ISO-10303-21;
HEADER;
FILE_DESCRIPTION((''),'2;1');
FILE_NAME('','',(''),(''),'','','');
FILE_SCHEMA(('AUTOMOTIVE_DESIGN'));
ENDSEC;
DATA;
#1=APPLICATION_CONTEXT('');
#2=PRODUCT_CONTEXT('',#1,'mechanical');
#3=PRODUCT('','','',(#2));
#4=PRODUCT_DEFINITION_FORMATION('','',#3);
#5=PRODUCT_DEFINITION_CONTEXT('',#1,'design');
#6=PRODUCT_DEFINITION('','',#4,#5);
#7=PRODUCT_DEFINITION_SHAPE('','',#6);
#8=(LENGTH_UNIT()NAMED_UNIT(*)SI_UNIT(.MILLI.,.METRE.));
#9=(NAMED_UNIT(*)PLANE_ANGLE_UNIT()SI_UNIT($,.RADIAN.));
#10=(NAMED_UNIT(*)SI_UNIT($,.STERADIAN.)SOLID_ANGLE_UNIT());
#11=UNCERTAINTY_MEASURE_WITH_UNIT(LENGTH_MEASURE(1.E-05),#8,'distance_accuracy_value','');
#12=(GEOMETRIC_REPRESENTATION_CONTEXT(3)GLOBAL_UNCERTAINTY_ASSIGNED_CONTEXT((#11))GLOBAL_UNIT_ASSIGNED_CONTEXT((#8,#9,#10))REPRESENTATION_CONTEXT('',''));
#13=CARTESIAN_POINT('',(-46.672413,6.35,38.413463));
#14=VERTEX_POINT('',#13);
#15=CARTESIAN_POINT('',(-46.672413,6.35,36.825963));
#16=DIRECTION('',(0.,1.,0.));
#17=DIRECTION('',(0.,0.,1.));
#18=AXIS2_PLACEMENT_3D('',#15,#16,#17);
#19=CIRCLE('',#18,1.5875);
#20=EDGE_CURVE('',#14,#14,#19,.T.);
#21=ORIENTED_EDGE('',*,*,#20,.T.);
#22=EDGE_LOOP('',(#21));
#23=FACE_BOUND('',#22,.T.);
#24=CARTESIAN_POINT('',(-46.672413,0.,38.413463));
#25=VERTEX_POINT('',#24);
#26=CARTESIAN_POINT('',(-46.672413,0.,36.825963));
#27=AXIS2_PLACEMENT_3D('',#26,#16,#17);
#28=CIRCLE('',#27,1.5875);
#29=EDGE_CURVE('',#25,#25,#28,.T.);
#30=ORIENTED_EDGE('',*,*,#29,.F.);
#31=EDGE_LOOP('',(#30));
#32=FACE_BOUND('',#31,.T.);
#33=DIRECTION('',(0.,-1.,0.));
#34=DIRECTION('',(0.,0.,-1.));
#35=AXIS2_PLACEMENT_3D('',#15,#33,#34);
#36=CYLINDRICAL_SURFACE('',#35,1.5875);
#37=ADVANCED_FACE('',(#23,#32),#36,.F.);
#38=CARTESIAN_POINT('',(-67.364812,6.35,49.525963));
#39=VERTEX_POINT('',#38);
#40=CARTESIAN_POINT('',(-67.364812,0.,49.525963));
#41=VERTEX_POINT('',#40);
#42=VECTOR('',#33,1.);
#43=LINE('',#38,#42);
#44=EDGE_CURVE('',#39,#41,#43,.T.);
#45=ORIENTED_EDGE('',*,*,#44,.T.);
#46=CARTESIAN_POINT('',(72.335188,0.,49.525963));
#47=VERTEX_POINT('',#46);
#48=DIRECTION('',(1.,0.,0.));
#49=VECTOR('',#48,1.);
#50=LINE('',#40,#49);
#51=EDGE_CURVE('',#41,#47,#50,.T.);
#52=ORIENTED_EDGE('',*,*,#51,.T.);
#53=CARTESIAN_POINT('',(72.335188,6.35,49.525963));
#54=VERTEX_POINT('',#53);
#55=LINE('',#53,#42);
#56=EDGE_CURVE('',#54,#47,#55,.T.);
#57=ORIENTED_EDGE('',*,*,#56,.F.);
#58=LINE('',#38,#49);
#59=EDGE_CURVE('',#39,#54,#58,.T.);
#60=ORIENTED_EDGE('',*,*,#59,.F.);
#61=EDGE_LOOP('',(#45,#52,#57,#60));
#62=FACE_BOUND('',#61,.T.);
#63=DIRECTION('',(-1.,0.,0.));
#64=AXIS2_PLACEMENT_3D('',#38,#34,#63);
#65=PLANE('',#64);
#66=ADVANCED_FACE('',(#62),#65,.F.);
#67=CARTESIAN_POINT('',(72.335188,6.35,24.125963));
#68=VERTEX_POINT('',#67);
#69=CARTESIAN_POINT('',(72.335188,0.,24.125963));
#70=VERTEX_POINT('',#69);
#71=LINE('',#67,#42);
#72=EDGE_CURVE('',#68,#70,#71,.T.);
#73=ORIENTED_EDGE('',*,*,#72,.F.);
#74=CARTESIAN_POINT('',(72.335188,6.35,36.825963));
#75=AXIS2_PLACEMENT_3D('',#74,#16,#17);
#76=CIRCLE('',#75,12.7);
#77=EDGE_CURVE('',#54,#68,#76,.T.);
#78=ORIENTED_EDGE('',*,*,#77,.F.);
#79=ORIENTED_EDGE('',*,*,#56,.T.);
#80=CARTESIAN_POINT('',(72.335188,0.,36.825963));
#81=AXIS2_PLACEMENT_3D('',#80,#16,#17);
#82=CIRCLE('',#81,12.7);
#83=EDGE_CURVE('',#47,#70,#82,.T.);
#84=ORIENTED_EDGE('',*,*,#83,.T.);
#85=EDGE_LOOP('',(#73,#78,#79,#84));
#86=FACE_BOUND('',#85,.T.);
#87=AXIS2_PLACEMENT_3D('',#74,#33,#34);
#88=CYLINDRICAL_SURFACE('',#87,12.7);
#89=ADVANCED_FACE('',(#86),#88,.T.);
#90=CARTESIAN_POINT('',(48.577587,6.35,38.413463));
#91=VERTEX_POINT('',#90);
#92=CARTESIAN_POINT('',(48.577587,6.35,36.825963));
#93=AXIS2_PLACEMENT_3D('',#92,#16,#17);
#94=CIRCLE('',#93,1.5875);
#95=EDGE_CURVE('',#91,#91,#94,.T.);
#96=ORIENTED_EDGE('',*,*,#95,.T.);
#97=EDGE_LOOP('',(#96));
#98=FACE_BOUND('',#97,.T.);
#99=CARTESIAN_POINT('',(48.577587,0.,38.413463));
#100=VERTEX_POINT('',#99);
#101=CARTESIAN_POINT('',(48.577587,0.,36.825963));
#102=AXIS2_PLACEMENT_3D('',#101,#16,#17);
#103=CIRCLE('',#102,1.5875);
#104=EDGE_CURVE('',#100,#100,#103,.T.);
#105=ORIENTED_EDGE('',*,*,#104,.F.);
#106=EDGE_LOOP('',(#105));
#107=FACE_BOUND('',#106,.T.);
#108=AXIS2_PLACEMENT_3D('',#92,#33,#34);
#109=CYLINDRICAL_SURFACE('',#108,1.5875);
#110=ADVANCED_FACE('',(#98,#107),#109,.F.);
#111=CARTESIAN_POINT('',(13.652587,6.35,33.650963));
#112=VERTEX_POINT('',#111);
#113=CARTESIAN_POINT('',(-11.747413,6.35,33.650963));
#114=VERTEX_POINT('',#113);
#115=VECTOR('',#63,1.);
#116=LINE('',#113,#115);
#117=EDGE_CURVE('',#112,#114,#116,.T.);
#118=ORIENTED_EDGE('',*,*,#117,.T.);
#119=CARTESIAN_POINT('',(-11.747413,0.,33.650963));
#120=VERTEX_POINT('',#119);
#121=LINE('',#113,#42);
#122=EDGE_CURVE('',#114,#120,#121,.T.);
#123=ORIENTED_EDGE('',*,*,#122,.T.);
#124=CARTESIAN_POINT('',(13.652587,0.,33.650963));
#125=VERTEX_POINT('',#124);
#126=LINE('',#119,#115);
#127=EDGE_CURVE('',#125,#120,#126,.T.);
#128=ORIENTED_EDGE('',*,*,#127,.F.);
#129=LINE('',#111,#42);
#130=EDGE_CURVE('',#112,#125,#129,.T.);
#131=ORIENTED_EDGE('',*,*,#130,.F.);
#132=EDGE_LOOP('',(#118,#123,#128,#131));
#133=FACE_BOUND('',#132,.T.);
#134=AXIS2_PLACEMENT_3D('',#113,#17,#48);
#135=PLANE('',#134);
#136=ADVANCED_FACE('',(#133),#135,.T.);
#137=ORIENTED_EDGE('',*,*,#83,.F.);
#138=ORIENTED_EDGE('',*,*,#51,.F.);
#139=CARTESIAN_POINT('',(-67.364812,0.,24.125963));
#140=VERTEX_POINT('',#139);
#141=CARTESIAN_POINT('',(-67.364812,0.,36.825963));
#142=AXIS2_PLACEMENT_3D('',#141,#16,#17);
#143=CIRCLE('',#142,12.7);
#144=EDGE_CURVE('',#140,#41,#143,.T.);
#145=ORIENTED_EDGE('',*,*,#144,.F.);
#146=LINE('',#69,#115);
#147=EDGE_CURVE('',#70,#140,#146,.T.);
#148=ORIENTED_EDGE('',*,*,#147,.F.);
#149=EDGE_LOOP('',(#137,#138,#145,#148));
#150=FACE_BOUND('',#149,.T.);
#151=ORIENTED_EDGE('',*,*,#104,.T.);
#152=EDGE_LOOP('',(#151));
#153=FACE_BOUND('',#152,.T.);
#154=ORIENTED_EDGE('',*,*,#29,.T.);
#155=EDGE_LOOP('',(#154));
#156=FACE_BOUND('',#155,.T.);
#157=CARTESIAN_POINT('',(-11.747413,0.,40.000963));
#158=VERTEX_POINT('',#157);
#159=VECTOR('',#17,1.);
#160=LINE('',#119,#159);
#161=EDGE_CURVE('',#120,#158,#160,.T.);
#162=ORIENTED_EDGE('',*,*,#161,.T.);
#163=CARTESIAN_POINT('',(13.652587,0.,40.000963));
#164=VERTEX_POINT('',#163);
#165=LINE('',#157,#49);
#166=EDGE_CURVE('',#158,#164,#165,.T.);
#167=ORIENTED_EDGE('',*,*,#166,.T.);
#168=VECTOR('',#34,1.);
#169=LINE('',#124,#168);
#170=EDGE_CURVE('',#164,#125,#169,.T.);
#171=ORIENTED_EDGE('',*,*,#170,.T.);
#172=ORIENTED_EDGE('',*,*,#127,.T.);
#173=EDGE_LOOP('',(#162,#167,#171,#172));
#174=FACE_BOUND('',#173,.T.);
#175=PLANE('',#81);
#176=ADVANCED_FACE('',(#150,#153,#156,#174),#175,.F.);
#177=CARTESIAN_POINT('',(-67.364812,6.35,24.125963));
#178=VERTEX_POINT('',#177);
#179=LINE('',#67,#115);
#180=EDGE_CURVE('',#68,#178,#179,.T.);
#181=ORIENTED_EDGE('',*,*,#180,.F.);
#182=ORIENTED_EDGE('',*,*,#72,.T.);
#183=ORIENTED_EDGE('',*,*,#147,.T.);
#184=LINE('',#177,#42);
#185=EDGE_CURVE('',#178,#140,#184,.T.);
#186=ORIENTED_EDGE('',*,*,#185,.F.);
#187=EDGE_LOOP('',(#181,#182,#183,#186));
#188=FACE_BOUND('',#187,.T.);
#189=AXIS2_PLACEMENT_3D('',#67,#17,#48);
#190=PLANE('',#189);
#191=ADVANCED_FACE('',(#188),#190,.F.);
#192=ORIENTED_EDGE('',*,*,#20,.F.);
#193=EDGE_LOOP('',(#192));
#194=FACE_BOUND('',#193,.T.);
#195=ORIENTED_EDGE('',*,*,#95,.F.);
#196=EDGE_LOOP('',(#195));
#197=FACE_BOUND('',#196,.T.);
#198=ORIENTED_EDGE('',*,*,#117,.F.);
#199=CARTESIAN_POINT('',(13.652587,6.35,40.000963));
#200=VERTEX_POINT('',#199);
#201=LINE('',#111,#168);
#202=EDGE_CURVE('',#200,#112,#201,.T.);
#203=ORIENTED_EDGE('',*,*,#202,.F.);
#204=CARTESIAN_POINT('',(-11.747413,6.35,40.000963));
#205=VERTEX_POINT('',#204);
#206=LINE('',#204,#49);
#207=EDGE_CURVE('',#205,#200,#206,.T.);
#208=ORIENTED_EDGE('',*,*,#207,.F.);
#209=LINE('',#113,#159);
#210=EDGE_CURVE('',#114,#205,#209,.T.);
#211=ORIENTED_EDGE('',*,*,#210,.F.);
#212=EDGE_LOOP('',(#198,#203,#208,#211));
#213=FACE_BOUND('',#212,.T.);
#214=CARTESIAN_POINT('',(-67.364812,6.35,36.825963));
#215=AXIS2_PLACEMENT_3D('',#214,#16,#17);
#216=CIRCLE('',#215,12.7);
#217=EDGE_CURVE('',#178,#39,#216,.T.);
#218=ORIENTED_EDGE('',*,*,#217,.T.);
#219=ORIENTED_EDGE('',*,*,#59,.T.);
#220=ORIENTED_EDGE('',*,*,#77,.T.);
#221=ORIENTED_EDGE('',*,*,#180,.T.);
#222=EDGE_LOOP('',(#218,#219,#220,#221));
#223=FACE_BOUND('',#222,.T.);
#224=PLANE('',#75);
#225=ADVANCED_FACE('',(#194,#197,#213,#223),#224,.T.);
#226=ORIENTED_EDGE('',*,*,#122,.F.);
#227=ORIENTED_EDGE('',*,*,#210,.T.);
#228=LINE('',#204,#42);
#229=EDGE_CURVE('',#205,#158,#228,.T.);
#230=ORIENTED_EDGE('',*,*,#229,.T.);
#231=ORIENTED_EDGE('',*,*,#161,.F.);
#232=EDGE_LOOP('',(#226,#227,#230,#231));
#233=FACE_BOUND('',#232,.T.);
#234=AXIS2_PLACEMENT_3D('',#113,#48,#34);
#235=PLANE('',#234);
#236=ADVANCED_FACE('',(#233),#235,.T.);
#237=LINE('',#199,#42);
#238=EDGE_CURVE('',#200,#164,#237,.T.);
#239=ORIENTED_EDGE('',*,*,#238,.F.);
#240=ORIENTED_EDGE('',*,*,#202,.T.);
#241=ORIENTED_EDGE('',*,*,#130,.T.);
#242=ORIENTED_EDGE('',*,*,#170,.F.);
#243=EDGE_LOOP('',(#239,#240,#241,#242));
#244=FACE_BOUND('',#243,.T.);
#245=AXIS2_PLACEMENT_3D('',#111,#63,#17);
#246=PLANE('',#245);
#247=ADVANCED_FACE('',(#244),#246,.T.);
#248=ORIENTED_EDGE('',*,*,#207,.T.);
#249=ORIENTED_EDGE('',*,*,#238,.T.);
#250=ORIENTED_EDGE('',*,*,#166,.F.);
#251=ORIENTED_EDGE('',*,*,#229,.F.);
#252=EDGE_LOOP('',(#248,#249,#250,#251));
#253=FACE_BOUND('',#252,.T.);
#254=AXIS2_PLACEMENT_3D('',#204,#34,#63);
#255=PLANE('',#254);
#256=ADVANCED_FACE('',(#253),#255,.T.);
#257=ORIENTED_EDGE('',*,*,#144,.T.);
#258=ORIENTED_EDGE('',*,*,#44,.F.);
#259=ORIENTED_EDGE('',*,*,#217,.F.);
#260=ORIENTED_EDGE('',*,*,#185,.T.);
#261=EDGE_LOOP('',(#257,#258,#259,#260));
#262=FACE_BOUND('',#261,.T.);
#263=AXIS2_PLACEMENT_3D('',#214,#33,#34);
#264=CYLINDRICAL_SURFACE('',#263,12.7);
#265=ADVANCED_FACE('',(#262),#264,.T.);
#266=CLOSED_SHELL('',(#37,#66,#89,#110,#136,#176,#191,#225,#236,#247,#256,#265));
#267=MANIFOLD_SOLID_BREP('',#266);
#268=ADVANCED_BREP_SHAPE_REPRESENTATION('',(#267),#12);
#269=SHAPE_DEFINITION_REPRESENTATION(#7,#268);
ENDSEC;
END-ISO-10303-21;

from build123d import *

# Parameters (mm, degrees)
SKETCH1_R           = 1.5875
SKETCH1_W           = 25.4
SKETCH1_H           = 6.35
BOSS_EXTRUDE1_DEPTH = 6.35


with BuildPart() as part:
    # Sketch1 → Boss-Extrude1 (new body)
    with BuildSketch(Plane(origin=(0, 0, 0), x_dir=(1, 0, 0), z_dir=(0, 1, 0))):
        with BuildLine():
            Line((72.335187692, -24.125963073), (-67.364812308, -24.125963073))
            ThreePointArc((-67.364812308, -24.125963073), (-80.064812308, -36.825963073), (-67.364812308, -49.525963073))
            Line((-67.364812308, -49.525963073), (72.335187692, -49.525963073))
            ThreePointArc((72.335187692, -49.525963073), (85.035187692, -36.825963073), (72.335187692, -24.125963073))
        make_face()
        with Locations(Location((-46.672412507, -36.825963073, 0), (0, 0, 270))):
            Circle(SKETCH1_R, mode=Mode.SUBTRACT)
        with Locations(Location((48.577587493, -36.825963073, 0), (0, 0, 270))):
            Circle(SKETCH1_R, mode=Mode.SUBTRACT)
        with Locations((0.952587493, -36.825963073)):
            Rectangle(SKETCH1_W, SKETCH1_H, mode=Mode.SUBTRACT)
    extrude(amount=BOSS_EXTRUDE1_DEPTH)


solid = part.part
